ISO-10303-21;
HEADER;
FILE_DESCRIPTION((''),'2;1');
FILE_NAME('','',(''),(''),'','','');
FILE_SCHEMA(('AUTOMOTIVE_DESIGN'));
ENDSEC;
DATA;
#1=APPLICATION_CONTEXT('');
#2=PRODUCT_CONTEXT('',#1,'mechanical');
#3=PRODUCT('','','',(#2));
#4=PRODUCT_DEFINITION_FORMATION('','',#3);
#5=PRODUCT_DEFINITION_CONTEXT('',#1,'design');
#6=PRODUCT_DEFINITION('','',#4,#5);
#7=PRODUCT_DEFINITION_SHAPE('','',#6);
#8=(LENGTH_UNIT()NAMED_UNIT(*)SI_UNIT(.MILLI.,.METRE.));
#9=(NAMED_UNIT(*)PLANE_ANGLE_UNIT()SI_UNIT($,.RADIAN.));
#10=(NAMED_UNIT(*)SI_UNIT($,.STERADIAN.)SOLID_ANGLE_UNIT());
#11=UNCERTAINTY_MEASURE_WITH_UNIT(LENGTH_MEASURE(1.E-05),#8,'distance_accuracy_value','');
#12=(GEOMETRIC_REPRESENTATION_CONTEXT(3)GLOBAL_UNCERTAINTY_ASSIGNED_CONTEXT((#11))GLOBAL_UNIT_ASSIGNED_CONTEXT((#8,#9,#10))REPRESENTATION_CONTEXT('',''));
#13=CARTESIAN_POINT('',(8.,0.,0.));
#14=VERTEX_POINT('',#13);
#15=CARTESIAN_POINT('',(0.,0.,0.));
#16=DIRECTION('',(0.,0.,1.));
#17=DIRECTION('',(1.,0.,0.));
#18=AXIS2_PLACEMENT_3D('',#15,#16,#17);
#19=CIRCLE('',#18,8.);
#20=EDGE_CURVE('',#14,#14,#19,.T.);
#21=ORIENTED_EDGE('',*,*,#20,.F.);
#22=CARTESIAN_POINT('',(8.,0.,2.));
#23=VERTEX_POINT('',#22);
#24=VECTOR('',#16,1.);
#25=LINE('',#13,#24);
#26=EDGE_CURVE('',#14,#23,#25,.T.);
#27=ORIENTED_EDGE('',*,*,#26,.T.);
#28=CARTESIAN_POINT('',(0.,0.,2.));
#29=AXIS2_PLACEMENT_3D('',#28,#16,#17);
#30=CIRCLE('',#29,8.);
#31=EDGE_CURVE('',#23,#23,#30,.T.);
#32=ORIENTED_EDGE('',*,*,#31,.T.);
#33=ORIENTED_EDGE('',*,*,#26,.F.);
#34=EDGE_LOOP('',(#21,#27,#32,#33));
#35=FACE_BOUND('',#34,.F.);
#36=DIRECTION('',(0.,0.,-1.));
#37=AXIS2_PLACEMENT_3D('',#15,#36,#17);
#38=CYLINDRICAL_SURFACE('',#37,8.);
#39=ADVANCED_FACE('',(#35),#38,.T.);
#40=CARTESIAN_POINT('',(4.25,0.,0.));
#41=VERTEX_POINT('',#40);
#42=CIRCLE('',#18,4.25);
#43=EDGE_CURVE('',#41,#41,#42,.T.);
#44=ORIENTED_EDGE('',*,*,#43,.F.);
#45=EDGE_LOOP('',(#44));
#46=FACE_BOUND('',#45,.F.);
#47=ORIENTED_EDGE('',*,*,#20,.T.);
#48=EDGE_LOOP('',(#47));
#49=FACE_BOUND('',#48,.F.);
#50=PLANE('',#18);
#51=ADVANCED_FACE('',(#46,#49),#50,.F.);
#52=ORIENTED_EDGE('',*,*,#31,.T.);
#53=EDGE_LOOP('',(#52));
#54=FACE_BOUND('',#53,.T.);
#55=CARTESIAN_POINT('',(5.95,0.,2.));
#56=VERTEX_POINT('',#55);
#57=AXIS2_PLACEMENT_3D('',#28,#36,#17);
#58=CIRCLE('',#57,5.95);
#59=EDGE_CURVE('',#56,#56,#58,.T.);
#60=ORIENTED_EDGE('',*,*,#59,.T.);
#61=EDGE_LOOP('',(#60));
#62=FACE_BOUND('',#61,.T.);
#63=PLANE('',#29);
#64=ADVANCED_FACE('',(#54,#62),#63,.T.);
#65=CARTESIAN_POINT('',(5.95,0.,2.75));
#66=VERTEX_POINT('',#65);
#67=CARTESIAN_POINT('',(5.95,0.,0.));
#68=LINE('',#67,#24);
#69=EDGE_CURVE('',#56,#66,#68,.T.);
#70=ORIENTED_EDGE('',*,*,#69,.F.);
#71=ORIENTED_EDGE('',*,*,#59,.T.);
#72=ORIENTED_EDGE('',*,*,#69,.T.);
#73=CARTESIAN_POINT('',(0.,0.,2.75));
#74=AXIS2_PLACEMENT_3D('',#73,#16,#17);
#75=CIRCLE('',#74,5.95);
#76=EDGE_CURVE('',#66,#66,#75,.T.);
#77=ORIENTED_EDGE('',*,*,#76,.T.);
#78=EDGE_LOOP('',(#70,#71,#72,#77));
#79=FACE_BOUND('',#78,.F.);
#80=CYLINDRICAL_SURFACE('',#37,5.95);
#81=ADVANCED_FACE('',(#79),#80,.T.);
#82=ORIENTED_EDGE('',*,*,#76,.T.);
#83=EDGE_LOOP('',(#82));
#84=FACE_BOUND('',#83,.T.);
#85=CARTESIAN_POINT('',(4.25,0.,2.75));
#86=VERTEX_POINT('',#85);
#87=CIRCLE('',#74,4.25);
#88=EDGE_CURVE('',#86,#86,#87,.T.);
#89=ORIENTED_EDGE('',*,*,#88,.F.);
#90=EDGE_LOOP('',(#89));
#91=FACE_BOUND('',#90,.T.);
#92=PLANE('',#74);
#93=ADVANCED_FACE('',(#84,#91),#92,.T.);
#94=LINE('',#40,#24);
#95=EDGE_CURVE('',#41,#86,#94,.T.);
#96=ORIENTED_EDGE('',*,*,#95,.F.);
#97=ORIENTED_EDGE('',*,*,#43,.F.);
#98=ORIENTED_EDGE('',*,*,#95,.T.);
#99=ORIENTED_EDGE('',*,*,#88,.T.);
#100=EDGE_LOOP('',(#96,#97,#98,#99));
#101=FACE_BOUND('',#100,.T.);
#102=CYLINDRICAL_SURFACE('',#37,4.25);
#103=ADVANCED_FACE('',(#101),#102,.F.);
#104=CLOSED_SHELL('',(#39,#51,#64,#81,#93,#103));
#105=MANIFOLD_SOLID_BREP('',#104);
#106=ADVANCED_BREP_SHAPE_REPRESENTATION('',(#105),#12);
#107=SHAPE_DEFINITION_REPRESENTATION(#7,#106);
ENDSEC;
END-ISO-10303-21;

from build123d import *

# Parameters (mm, degrees)
SKETCH001_R      = 8
SKETCH001_R_2    = 4.25
EXTRUDE001_DEPTH = 2
SKETCH_R         = 5.95
SKETCH_R_2       = 4.25
EXTRUDE_DEPTH    = 2.75


with BuildPart() as extrude001:
    # Sketch001 → Extrude001 (new body)
    with BuildSketch(Plane.XY):
        Circle(SKETCH001_R)
        Circle(SKETCH001_R_2, mode=Mode.SUBTRACT)
    extrude(amount=EXTRUDE001_DEPTH)


with BuildPart() as fusion:
    # Sketch → Extrude (new body)
    with BuildSketch(Plane.XY):
        Circle(SKETCH_R)
        Circle(SKETCH_R_2, mode=Mode.SUBTRACT)
    extrude(amount=EXTRUDE_DEPTH)

    # Fusion: union Extrude001
    add(extrude001.part)


solid = fusion.part
